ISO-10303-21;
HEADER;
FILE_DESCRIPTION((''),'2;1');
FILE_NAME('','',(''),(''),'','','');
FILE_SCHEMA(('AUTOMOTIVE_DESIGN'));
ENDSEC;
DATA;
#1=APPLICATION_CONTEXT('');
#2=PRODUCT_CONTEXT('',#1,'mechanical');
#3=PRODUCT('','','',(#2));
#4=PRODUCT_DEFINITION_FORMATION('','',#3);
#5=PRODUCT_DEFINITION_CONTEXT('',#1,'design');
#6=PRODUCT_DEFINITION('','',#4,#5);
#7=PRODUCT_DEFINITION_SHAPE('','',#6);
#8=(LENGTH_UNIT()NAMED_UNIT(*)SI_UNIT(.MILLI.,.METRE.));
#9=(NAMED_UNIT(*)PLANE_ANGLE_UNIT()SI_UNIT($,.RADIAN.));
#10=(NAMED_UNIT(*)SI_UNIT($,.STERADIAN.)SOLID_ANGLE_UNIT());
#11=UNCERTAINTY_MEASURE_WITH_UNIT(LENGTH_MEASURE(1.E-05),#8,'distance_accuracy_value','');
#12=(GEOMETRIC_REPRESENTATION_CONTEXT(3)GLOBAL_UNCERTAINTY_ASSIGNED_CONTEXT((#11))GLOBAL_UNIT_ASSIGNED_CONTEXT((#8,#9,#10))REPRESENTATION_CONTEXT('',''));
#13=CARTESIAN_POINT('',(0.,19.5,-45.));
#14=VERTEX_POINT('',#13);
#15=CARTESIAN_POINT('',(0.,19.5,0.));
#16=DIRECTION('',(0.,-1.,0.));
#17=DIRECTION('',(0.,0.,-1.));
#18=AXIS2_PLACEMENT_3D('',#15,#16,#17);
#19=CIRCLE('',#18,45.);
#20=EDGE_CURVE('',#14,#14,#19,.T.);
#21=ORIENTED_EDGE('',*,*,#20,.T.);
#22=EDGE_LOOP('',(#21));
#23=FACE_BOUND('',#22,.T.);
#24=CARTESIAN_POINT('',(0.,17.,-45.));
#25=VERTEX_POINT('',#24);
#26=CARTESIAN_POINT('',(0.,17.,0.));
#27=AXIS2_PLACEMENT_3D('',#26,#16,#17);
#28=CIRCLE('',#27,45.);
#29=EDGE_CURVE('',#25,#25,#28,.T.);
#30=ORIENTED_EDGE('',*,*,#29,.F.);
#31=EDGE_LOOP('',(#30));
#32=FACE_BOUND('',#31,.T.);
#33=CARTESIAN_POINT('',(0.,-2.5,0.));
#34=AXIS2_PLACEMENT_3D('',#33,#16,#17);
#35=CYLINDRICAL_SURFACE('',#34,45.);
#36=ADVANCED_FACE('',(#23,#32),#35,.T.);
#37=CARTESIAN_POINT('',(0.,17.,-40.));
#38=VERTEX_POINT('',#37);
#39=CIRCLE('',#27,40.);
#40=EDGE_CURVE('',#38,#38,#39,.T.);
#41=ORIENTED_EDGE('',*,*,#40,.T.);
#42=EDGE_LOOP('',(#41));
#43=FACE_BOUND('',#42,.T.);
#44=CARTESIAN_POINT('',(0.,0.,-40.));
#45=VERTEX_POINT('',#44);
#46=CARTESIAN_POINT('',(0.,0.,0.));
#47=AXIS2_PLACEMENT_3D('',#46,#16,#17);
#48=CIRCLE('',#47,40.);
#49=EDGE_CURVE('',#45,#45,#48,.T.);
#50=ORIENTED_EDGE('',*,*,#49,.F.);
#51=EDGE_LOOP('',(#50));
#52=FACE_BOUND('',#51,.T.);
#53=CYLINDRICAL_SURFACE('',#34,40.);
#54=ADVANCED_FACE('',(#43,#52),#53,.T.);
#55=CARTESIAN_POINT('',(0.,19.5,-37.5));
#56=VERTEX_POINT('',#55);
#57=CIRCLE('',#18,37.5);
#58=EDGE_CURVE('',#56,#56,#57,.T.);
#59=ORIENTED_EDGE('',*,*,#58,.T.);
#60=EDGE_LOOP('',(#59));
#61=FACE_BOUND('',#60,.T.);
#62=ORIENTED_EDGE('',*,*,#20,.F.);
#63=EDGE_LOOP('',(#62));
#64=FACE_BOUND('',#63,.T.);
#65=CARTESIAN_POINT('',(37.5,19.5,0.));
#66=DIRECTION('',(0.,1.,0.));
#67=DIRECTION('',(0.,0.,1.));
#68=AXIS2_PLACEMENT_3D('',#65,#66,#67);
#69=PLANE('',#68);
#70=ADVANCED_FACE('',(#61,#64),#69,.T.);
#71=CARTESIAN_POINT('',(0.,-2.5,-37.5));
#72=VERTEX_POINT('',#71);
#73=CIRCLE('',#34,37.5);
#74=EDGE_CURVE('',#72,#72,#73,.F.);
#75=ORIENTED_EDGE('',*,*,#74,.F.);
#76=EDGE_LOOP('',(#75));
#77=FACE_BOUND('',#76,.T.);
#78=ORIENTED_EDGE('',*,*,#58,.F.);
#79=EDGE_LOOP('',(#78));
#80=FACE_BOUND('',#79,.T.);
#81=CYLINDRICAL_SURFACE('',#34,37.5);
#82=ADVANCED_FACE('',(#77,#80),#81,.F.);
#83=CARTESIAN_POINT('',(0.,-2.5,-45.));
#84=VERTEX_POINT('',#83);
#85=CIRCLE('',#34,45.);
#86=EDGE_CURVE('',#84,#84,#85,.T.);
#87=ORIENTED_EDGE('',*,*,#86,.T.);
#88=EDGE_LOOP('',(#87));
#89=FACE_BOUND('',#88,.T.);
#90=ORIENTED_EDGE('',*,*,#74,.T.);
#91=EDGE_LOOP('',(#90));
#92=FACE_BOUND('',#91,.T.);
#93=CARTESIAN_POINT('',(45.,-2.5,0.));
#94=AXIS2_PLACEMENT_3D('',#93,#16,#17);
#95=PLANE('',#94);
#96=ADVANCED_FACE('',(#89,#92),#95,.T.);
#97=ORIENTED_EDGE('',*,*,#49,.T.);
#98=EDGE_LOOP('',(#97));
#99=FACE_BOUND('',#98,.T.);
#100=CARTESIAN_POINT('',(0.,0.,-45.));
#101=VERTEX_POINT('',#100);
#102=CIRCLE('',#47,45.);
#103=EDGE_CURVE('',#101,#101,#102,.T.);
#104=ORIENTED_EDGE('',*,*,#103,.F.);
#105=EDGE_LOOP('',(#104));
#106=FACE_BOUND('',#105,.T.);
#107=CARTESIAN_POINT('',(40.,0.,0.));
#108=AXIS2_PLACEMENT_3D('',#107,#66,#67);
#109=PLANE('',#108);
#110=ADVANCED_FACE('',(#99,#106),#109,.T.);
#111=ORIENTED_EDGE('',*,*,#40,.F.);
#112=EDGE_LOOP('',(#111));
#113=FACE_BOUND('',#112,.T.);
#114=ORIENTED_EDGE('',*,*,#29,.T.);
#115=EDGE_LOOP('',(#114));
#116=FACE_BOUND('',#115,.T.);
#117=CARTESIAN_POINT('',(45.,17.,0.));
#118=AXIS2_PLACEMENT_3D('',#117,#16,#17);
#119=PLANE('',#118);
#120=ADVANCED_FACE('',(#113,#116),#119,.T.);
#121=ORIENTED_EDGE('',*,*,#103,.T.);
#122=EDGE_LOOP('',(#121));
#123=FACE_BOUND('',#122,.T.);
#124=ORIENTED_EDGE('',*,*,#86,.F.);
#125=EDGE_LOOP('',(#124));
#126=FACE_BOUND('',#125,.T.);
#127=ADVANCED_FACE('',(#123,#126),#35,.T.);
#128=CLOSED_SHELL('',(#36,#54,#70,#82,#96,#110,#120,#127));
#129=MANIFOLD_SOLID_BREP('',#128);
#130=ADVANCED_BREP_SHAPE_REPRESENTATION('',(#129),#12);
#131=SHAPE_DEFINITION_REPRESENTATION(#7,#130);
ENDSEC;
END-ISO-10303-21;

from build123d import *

# Parameters (mm, degrees)
CUT_EXTRUDE1_REACH = 4.5
SKETCH2_R          = 37.5


with BuildPart() as part:
    # Sketch1 → Revolve1 (revolve)
    with BuildSketch(Plane.XY):
        Polygon((0, 0), (37.5, 0), (37.5, 19.5), (45, 19.5), (45, 17), (40, 17), (40, 0), (45, 0), (45, -2.5), (0, -2.5), align=None)
    revolve(axis=Axis((0, -2.5, 0), (0, 1, 0)))

    # Sketch2 → Cut-Extrude1 (cut, up to next)
    with BuildSketch(Plane(origin=(0, 0, 0), x_dir=(1, 0, 0), z_dir=(0, 1, 0)), mode=Mode.PRIVATE) as cut_extrude1_sk1:
        Circle(SKETCH2_R)
    cut_extrude1_tool1 = extrude(cut_extrude1_sk1.sketch, amount=-CUT_EXTRUDE1_REACH, mode=Mode.PRIVATE) & part.part
    add(cut_extrude1_tool1.solids().sort_by_distance((0, 0, 0))[0], mode=Mode.SUBTRACT)


solid = part.part
